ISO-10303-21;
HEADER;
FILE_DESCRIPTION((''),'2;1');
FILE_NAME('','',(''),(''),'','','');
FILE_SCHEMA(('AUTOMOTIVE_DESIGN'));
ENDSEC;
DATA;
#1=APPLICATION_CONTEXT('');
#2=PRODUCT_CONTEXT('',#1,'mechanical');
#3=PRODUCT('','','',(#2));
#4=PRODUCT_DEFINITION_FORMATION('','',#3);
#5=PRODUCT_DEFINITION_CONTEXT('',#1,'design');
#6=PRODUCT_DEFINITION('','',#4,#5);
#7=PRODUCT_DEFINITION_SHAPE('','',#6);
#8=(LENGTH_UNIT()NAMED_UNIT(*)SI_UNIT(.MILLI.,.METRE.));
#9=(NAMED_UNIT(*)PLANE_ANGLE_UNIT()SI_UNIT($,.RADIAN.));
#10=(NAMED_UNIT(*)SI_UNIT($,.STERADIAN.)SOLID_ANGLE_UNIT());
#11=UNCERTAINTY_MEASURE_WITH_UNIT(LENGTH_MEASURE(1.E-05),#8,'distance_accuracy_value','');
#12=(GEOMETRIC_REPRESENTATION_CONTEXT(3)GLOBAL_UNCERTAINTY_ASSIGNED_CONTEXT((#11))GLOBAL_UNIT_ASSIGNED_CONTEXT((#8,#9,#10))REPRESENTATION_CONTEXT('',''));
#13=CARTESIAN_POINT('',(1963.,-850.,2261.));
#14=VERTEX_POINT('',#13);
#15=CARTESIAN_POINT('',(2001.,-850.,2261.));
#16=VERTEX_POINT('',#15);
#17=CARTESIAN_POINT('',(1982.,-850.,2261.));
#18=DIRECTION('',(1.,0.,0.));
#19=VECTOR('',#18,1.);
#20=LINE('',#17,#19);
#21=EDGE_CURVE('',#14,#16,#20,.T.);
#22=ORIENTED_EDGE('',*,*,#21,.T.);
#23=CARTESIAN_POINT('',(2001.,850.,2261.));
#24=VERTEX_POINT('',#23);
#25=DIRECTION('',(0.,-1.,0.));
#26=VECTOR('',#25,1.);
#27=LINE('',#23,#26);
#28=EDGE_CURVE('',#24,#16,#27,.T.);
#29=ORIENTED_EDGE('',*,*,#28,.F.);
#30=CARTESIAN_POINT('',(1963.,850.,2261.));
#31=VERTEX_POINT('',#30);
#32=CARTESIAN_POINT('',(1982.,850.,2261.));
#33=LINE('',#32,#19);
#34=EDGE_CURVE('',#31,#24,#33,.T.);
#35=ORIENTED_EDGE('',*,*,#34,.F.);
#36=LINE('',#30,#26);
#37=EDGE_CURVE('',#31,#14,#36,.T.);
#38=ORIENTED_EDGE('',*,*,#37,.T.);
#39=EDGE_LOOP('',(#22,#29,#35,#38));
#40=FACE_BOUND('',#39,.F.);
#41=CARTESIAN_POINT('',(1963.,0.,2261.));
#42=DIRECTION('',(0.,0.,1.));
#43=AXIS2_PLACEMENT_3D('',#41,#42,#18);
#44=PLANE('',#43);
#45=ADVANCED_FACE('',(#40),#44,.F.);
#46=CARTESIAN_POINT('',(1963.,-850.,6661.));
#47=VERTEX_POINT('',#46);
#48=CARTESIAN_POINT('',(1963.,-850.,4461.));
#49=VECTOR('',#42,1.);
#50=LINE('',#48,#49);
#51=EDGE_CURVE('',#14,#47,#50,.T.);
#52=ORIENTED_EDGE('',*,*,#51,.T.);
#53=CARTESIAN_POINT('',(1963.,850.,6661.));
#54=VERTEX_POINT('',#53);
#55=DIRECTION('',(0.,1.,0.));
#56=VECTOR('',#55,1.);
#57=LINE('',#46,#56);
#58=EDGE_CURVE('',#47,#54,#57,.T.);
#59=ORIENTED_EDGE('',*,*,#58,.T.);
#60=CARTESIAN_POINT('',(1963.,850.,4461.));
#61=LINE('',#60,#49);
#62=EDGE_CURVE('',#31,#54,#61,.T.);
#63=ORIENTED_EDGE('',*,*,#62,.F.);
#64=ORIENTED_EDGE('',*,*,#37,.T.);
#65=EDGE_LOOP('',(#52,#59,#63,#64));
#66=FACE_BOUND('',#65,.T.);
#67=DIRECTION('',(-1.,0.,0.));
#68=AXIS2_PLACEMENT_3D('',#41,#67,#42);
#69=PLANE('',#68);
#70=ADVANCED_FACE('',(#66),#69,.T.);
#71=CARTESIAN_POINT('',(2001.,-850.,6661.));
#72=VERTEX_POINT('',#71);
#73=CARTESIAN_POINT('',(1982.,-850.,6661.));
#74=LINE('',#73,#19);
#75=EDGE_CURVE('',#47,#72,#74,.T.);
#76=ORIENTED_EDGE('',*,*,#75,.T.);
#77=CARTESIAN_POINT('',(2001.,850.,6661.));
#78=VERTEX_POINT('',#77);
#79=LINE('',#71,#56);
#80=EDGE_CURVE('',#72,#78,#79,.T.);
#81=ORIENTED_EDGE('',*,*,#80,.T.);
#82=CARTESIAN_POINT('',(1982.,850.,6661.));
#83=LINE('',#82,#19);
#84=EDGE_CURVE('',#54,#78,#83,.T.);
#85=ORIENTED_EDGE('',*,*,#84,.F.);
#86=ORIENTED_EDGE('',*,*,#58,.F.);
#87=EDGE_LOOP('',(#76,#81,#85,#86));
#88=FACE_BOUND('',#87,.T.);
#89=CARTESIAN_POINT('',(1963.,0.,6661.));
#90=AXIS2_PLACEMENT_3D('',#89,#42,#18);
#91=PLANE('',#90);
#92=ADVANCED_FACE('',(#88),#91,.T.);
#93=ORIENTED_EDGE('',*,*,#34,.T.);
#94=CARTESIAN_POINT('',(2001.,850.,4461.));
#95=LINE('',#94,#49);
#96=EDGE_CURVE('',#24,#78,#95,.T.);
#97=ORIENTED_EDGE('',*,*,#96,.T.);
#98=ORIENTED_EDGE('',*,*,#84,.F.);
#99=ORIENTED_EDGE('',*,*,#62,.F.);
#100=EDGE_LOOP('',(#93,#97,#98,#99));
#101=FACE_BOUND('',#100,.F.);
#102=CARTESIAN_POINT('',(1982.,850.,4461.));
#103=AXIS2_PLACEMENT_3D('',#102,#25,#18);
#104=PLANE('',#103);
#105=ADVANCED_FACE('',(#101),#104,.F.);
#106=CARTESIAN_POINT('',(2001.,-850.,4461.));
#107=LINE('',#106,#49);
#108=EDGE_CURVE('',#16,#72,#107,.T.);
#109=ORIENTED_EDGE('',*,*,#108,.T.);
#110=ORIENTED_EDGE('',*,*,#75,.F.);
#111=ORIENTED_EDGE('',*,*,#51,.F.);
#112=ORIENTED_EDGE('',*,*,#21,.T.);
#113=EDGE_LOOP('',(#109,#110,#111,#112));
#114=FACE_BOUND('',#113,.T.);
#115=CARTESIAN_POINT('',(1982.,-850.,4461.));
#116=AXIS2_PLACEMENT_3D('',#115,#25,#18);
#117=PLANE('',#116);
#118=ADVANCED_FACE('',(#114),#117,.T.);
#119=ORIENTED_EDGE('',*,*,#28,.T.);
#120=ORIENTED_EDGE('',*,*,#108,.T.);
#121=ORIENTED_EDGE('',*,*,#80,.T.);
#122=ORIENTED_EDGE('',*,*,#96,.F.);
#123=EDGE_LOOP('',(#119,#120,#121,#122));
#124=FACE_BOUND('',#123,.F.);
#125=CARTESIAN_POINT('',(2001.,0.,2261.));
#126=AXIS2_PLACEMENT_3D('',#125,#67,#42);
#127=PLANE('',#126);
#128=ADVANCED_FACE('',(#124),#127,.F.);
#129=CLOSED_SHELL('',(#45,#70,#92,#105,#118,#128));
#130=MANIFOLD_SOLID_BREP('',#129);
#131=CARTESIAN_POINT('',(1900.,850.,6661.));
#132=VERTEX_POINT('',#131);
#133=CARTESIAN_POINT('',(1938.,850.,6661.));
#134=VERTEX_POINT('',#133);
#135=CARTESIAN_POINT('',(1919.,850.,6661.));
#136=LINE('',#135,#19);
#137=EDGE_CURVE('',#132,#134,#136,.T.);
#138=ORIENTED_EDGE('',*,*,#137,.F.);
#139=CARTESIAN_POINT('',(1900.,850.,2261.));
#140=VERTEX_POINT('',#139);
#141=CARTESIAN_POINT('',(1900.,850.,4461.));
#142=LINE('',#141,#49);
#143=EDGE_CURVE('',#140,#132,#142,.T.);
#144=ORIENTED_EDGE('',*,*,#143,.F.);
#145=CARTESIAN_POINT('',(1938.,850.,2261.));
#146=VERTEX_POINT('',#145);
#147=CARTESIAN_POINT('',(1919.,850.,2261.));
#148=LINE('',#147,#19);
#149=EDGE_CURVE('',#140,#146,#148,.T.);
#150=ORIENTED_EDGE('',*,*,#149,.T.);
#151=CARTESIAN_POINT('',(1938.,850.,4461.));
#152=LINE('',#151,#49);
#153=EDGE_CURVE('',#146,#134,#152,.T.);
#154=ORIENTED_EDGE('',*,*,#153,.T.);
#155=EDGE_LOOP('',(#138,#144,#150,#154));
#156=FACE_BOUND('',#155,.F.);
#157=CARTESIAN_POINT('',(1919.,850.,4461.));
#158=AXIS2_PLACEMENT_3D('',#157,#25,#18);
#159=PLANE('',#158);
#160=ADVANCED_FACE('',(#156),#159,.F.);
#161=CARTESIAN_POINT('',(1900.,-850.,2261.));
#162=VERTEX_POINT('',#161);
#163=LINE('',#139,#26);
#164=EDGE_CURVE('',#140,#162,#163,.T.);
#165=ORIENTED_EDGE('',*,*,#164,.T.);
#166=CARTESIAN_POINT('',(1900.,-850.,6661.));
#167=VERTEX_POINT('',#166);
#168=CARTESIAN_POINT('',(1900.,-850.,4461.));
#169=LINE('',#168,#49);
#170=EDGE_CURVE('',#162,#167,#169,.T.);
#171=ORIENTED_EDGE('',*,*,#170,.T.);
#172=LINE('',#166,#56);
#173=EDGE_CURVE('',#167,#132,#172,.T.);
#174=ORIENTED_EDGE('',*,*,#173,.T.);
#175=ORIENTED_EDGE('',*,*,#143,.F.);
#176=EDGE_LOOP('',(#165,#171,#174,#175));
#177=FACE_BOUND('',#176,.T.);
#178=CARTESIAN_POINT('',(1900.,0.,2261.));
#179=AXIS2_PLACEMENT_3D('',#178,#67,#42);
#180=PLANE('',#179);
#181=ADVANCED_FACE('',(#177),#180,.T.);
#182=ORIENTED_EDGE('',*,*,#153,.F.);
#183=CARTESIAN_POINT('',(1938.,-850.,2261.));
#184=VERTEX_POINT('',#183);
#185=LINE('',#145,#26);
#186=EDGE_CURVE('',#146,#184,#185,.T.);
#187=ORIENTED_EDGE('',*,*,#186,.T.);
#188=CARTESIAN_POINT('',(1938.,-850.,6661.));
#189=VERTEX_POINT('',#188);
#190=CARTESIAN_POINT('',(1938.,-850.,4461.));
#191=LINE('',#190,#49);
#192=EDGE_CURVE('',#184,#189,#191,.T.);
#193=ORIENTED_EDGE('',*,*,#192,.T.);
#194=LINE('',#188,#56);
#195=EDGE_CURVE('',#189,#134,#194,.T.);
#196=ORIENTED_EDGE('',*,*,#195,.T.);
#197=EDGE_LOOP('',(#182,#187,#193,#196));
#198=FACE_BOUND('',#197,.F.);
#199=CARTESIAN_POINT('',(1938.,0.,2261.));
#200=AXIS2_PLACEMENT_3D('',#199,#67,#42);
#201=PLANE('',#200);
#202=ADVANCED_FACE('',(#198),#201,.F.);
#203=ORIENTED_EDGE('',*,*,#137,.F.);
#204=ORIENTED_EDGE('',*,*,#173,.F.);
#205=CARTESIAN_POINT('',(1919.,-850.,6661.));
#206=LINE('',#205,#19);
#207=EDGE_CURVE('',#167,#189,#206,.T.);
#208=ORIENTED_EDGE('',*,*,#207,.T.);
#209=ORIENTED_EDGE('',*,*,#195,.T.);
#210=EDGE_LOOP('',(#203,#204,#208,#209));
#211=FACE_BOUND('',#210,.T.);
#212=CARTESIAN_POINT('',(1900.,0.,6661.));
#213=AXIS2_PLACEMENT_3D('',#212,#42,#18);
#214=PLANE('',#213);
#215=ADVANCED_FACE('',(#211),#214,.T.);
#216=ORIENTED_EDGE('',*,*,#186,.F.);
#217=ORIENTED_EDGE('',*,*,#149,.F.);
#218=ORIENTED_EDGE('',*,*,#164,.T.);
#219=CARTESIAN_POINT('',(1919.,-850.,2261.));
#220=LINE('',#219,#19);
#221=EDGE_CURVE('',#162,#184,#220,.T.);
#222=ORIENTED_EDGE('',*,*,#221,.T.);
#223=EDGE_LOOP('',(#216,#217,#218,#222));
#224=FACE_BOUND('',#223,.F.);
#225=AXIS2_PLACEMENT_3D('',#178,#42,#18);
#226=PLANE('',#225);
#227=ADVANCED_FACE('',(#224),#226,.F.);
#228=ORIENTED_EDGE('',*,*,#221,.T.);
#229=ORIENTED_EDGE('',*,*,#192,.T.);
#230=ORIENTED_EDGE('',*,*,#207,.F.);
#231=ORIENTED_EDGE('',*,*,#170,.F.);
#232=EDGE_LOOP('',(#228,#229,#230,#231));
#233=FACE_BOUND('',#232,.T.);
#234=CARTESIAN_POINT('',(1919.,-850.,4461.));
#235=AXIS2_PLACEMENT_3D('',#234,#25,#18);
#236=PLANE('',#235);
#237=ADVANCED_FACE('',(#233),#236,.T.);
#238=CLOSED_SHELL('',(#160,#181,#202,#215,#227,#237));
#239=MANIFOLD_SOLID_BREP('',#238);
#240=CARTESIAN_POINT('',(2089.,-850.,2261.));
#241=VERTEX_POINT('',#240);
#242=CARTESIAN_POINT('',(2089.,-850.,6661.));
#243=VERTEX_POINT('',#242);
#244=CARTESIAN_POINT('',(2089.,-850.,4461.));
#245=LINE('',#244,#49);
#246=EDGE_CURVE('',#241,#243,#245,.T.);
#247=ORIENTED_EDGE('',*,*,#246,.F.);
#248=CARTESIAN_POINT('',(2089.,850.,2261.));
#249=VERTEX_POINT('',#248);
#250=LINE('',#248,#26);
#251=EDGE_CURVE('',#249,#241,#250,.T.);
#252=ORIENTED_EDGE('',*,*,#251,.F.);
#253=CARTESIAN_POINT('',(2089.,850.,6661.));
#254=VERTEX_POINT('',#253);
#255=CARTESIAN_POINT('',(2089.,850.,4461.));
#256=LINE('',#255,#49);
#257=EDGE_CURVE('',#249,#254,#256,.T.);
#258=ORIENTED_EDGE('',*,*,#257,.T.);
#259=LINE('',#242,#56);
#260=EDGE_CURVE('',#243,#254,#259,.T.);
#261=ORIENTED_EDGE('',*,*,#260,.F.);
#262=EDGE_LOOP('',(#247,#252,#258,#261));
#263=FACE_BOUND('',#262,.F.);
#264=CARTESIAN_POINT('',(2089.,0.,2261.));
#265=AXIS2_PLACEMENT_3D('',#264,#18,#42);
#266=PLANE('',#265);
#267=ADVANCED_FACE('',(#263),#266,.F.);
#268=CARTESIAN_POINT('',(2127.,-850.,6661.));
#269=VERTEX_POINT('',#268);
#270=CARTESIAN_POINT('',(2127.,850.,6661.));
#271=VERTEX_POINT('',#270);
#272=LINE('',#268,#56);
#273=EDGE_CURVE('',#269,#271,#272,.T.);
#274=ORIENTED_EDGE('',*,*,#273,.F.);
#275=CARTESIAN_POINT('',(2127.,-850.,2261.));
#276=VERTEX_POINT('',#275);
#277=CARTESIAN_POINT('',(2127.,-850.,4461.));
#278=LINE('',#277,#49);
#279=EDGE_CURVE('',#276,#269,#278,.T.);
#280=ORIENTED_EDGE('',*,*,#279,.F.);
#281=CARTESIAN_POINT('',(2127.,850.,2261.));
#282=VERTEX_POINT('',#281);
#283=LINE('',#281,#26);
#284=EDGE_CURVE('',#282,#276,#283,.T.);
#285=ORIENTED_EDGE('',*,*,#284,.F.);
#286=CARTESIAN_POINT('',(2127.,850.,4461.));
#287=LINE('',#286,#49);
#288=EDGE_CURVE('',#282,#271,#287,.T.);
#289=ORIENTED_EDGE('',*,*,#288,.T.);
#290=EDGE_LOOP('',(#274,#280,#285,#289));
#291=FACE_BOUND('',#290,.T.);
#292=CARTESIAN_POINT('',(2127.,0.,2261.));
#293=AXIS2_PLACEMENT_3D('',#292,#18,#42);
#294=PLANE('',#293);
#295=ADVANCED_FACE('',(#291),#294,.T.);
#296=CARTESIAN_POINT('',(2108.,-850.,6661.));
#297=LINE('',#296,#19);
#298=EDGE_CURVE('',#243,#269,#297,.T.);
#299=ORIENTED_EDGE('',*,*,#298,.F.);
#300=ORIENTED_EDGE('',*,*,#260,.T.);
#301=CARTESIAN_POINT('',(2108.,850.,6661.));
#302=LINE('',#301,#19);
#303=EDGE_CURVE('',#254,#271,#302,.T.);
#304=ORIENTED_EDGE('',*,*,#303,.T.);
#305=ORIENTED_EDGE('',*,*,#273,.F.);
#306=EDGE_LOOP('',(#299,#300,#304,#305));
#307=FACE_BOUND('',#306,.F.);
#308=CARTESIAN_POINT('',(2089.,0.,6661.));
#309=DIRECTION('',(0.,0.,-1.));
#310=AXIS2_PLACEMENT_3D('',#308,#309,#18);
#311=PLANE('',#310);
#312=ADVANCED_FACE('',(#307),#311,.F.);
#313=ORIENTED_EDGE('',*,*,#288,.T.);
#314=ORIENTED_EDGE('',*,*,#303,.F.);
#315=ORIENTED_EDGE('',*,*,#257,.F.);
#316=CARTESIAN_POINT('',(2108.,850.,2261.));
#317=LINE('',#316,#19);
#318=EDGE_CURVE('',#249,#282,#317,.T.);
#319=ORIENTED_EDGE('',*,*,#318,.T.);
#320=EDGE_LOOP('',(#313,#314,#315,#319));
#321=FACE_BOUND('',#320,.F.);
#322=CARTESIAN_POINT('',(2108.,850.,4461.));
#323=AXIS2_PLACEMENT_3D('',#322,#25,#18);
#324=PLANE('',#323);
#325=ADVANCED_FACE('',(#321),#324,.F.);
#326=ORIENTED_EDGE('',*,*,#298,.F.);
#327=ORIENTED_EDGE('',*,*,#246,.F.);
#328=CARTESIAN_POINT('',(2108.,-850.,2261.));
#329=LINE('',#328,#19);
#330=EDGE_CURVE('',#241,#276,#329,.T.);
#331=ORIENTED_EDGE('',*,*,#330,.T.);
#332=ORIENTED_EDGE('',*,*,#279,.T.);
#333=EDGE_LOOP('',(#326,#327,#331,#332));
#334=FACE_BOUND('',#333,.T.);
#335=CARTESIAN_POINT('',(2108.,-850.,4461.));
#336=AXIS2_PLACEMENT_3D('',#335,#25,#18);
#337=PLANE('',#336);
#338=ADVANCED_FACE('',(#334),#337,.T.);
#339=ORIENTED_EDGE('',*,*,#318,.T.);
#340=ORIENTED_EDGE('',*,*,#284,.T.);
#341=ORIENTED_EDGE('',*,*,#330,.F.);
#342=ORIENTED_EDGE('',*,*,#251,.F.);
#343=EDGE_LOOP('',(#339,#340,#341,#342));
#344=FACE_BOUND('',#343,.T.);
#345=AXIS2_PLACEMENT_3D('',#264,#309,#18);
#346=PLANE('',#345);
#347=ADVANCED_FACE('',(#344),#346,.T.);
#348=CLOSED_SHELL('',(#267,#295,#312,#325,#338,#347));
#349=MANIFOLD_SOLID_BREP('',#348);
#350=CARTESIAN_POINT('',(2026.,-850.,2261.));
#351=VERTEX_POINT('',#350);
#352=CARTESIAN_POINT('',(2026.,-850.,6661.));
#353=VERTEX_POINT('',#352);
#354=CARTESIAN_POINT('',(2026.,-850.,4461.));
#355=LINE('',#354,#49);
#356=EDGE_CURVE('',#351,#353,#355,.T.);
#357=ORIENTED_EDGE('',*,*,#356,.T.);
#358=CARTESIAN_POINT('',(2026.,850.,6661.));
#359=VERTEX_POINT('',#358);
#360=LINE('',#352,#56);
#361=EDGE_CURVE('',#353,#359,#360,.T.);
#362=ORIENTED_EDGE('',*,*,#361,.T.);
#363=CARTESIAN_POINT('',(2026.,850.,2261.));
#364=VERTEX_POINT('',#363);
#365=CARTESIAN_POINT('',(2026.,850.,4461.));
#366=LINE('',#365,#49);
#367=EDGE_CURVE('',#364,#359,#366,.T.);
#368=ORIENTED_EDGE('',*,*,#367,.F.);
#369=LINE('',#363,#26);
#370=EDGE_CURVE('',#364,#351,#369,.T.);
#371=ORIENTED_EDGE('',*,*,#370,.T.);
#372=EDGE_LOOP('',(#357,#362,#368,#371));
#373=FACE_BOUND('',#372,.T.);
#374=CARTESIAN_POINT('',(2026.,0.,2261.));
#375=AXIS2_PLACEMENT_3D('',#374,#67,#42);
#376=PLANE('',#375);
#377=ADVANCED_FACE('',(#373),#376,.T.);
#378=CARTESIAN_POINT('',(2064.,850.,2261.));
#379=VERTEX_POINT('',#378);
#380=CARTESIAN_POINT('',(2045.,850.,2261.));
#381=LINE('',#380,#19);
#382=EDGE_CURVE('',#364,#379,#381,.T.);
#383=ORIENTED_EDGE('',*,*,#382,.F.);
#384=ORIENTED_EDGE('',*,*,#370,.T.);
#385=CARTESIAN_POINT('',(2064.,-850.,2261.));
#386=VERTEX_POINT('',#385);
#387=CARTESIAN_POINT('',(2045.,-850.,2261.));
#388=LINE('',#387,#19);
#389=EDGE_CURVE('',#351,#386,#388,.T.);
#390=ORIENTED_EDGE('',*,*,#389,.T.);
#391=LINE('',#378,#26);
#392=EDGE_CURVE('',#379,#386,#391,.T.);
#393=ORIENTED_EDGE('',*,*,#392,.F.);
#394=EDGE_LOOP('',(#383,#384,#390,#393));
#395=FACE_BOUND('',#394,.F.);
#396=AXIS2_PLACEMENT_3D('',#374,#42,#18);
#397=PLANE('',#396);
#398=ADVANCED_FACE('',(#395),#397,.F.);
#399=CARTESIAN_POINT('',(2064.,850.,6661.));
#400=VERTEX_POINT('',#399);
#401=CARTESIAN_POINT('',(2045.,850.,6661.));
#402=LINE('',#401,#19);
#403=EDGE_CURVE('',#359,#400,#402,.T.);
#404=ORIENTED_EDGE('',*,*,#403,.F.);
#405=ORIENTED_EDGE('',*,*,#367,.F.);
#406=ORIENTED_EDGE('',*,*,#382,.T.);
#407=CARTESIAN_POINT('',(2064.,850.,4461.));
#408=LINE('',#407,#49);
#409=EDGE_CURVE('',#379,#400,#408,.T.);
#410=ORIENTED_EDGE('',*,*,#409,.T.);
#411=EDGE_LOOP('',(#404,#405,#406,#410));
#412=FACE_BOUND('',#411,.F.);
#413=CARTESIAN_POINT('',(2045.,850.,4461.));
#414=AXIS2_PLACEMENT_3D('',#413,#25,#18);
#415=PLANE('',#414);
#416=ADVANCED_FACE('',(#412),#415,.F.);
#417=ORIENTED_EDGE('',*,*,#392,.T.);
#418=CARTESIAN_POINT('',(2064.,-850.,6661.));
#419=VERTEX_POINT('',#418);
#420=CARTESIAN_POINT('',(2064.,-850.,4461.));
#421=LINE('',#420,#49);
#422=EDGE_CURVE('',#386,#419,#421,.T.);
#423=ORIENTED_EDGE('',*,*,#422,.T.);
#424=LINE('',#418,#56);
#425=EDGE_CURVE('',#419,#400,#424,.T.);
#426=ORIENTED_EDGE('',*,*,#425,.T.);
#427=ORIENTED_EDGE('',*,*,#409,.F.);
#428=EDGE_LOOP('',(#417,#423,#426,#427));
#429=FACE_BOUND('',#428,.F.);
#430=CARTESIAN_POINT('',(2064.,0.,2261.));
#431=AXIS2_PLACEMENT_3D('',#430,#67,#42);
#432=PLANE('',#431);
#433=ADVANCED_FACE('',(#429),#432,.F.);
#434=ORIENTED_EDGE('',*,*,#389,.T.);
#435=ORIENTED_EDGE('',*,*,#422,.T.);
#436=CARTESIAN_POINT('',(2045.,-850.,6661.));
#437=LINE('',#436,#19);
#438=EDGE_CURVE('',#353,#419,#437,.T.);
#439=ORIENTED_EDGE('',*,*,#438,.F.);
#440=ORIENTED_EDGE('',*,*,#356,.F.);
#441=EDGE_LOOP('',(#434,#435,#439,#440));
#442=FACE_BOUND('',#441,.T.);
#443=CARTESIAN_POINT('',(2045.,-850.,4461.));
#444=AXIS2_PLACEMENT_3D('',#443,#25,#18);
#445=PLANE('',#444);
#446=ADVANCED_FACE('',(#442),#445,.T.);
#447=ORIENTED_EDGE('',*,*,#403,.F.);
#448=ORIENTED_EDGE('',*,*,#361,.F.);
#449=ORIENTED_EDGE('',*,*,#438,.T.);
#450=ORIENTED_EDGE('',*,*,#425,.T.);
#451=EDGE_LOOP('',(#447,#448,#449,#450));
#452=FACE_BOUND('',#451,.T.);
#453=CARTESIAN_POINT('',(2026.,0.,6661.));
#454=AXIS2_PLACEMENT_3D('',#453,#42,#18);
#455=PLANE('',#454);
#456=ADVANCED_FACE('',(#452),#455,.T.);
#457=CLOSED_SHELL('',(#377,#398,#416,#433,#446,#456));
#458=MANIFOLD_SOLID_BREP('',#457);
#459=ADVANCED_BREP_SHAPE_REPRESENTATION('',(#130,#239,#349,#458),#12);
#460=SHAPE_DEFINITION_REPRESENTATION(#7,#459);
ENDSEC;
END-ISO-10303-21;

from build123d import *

# Parameters (mm, degrees)
F0_W     = 38
F0_H     = 4400
F1_DEPTH = 850


with BuildPart() as f1:
    # F0 (on Front) → F1 (new body, symmetric)
    with BuildSketch(Plane.XZ):
        with Locations((1919, 4461)):
            Rectangle(F0_W, F0_H)
        with Locations((1982, 4461)):
            Rectangle(F0_W, F0_H)
        with Locations((2045, 4461)):
            Rectangle(F0_W, F0_H)
        with Locations((2108, 4461)):
            Rectangle(F0_W, F0_H)
    extrude(amount=F1_DEPTH, both=True)


solid = f1.part
